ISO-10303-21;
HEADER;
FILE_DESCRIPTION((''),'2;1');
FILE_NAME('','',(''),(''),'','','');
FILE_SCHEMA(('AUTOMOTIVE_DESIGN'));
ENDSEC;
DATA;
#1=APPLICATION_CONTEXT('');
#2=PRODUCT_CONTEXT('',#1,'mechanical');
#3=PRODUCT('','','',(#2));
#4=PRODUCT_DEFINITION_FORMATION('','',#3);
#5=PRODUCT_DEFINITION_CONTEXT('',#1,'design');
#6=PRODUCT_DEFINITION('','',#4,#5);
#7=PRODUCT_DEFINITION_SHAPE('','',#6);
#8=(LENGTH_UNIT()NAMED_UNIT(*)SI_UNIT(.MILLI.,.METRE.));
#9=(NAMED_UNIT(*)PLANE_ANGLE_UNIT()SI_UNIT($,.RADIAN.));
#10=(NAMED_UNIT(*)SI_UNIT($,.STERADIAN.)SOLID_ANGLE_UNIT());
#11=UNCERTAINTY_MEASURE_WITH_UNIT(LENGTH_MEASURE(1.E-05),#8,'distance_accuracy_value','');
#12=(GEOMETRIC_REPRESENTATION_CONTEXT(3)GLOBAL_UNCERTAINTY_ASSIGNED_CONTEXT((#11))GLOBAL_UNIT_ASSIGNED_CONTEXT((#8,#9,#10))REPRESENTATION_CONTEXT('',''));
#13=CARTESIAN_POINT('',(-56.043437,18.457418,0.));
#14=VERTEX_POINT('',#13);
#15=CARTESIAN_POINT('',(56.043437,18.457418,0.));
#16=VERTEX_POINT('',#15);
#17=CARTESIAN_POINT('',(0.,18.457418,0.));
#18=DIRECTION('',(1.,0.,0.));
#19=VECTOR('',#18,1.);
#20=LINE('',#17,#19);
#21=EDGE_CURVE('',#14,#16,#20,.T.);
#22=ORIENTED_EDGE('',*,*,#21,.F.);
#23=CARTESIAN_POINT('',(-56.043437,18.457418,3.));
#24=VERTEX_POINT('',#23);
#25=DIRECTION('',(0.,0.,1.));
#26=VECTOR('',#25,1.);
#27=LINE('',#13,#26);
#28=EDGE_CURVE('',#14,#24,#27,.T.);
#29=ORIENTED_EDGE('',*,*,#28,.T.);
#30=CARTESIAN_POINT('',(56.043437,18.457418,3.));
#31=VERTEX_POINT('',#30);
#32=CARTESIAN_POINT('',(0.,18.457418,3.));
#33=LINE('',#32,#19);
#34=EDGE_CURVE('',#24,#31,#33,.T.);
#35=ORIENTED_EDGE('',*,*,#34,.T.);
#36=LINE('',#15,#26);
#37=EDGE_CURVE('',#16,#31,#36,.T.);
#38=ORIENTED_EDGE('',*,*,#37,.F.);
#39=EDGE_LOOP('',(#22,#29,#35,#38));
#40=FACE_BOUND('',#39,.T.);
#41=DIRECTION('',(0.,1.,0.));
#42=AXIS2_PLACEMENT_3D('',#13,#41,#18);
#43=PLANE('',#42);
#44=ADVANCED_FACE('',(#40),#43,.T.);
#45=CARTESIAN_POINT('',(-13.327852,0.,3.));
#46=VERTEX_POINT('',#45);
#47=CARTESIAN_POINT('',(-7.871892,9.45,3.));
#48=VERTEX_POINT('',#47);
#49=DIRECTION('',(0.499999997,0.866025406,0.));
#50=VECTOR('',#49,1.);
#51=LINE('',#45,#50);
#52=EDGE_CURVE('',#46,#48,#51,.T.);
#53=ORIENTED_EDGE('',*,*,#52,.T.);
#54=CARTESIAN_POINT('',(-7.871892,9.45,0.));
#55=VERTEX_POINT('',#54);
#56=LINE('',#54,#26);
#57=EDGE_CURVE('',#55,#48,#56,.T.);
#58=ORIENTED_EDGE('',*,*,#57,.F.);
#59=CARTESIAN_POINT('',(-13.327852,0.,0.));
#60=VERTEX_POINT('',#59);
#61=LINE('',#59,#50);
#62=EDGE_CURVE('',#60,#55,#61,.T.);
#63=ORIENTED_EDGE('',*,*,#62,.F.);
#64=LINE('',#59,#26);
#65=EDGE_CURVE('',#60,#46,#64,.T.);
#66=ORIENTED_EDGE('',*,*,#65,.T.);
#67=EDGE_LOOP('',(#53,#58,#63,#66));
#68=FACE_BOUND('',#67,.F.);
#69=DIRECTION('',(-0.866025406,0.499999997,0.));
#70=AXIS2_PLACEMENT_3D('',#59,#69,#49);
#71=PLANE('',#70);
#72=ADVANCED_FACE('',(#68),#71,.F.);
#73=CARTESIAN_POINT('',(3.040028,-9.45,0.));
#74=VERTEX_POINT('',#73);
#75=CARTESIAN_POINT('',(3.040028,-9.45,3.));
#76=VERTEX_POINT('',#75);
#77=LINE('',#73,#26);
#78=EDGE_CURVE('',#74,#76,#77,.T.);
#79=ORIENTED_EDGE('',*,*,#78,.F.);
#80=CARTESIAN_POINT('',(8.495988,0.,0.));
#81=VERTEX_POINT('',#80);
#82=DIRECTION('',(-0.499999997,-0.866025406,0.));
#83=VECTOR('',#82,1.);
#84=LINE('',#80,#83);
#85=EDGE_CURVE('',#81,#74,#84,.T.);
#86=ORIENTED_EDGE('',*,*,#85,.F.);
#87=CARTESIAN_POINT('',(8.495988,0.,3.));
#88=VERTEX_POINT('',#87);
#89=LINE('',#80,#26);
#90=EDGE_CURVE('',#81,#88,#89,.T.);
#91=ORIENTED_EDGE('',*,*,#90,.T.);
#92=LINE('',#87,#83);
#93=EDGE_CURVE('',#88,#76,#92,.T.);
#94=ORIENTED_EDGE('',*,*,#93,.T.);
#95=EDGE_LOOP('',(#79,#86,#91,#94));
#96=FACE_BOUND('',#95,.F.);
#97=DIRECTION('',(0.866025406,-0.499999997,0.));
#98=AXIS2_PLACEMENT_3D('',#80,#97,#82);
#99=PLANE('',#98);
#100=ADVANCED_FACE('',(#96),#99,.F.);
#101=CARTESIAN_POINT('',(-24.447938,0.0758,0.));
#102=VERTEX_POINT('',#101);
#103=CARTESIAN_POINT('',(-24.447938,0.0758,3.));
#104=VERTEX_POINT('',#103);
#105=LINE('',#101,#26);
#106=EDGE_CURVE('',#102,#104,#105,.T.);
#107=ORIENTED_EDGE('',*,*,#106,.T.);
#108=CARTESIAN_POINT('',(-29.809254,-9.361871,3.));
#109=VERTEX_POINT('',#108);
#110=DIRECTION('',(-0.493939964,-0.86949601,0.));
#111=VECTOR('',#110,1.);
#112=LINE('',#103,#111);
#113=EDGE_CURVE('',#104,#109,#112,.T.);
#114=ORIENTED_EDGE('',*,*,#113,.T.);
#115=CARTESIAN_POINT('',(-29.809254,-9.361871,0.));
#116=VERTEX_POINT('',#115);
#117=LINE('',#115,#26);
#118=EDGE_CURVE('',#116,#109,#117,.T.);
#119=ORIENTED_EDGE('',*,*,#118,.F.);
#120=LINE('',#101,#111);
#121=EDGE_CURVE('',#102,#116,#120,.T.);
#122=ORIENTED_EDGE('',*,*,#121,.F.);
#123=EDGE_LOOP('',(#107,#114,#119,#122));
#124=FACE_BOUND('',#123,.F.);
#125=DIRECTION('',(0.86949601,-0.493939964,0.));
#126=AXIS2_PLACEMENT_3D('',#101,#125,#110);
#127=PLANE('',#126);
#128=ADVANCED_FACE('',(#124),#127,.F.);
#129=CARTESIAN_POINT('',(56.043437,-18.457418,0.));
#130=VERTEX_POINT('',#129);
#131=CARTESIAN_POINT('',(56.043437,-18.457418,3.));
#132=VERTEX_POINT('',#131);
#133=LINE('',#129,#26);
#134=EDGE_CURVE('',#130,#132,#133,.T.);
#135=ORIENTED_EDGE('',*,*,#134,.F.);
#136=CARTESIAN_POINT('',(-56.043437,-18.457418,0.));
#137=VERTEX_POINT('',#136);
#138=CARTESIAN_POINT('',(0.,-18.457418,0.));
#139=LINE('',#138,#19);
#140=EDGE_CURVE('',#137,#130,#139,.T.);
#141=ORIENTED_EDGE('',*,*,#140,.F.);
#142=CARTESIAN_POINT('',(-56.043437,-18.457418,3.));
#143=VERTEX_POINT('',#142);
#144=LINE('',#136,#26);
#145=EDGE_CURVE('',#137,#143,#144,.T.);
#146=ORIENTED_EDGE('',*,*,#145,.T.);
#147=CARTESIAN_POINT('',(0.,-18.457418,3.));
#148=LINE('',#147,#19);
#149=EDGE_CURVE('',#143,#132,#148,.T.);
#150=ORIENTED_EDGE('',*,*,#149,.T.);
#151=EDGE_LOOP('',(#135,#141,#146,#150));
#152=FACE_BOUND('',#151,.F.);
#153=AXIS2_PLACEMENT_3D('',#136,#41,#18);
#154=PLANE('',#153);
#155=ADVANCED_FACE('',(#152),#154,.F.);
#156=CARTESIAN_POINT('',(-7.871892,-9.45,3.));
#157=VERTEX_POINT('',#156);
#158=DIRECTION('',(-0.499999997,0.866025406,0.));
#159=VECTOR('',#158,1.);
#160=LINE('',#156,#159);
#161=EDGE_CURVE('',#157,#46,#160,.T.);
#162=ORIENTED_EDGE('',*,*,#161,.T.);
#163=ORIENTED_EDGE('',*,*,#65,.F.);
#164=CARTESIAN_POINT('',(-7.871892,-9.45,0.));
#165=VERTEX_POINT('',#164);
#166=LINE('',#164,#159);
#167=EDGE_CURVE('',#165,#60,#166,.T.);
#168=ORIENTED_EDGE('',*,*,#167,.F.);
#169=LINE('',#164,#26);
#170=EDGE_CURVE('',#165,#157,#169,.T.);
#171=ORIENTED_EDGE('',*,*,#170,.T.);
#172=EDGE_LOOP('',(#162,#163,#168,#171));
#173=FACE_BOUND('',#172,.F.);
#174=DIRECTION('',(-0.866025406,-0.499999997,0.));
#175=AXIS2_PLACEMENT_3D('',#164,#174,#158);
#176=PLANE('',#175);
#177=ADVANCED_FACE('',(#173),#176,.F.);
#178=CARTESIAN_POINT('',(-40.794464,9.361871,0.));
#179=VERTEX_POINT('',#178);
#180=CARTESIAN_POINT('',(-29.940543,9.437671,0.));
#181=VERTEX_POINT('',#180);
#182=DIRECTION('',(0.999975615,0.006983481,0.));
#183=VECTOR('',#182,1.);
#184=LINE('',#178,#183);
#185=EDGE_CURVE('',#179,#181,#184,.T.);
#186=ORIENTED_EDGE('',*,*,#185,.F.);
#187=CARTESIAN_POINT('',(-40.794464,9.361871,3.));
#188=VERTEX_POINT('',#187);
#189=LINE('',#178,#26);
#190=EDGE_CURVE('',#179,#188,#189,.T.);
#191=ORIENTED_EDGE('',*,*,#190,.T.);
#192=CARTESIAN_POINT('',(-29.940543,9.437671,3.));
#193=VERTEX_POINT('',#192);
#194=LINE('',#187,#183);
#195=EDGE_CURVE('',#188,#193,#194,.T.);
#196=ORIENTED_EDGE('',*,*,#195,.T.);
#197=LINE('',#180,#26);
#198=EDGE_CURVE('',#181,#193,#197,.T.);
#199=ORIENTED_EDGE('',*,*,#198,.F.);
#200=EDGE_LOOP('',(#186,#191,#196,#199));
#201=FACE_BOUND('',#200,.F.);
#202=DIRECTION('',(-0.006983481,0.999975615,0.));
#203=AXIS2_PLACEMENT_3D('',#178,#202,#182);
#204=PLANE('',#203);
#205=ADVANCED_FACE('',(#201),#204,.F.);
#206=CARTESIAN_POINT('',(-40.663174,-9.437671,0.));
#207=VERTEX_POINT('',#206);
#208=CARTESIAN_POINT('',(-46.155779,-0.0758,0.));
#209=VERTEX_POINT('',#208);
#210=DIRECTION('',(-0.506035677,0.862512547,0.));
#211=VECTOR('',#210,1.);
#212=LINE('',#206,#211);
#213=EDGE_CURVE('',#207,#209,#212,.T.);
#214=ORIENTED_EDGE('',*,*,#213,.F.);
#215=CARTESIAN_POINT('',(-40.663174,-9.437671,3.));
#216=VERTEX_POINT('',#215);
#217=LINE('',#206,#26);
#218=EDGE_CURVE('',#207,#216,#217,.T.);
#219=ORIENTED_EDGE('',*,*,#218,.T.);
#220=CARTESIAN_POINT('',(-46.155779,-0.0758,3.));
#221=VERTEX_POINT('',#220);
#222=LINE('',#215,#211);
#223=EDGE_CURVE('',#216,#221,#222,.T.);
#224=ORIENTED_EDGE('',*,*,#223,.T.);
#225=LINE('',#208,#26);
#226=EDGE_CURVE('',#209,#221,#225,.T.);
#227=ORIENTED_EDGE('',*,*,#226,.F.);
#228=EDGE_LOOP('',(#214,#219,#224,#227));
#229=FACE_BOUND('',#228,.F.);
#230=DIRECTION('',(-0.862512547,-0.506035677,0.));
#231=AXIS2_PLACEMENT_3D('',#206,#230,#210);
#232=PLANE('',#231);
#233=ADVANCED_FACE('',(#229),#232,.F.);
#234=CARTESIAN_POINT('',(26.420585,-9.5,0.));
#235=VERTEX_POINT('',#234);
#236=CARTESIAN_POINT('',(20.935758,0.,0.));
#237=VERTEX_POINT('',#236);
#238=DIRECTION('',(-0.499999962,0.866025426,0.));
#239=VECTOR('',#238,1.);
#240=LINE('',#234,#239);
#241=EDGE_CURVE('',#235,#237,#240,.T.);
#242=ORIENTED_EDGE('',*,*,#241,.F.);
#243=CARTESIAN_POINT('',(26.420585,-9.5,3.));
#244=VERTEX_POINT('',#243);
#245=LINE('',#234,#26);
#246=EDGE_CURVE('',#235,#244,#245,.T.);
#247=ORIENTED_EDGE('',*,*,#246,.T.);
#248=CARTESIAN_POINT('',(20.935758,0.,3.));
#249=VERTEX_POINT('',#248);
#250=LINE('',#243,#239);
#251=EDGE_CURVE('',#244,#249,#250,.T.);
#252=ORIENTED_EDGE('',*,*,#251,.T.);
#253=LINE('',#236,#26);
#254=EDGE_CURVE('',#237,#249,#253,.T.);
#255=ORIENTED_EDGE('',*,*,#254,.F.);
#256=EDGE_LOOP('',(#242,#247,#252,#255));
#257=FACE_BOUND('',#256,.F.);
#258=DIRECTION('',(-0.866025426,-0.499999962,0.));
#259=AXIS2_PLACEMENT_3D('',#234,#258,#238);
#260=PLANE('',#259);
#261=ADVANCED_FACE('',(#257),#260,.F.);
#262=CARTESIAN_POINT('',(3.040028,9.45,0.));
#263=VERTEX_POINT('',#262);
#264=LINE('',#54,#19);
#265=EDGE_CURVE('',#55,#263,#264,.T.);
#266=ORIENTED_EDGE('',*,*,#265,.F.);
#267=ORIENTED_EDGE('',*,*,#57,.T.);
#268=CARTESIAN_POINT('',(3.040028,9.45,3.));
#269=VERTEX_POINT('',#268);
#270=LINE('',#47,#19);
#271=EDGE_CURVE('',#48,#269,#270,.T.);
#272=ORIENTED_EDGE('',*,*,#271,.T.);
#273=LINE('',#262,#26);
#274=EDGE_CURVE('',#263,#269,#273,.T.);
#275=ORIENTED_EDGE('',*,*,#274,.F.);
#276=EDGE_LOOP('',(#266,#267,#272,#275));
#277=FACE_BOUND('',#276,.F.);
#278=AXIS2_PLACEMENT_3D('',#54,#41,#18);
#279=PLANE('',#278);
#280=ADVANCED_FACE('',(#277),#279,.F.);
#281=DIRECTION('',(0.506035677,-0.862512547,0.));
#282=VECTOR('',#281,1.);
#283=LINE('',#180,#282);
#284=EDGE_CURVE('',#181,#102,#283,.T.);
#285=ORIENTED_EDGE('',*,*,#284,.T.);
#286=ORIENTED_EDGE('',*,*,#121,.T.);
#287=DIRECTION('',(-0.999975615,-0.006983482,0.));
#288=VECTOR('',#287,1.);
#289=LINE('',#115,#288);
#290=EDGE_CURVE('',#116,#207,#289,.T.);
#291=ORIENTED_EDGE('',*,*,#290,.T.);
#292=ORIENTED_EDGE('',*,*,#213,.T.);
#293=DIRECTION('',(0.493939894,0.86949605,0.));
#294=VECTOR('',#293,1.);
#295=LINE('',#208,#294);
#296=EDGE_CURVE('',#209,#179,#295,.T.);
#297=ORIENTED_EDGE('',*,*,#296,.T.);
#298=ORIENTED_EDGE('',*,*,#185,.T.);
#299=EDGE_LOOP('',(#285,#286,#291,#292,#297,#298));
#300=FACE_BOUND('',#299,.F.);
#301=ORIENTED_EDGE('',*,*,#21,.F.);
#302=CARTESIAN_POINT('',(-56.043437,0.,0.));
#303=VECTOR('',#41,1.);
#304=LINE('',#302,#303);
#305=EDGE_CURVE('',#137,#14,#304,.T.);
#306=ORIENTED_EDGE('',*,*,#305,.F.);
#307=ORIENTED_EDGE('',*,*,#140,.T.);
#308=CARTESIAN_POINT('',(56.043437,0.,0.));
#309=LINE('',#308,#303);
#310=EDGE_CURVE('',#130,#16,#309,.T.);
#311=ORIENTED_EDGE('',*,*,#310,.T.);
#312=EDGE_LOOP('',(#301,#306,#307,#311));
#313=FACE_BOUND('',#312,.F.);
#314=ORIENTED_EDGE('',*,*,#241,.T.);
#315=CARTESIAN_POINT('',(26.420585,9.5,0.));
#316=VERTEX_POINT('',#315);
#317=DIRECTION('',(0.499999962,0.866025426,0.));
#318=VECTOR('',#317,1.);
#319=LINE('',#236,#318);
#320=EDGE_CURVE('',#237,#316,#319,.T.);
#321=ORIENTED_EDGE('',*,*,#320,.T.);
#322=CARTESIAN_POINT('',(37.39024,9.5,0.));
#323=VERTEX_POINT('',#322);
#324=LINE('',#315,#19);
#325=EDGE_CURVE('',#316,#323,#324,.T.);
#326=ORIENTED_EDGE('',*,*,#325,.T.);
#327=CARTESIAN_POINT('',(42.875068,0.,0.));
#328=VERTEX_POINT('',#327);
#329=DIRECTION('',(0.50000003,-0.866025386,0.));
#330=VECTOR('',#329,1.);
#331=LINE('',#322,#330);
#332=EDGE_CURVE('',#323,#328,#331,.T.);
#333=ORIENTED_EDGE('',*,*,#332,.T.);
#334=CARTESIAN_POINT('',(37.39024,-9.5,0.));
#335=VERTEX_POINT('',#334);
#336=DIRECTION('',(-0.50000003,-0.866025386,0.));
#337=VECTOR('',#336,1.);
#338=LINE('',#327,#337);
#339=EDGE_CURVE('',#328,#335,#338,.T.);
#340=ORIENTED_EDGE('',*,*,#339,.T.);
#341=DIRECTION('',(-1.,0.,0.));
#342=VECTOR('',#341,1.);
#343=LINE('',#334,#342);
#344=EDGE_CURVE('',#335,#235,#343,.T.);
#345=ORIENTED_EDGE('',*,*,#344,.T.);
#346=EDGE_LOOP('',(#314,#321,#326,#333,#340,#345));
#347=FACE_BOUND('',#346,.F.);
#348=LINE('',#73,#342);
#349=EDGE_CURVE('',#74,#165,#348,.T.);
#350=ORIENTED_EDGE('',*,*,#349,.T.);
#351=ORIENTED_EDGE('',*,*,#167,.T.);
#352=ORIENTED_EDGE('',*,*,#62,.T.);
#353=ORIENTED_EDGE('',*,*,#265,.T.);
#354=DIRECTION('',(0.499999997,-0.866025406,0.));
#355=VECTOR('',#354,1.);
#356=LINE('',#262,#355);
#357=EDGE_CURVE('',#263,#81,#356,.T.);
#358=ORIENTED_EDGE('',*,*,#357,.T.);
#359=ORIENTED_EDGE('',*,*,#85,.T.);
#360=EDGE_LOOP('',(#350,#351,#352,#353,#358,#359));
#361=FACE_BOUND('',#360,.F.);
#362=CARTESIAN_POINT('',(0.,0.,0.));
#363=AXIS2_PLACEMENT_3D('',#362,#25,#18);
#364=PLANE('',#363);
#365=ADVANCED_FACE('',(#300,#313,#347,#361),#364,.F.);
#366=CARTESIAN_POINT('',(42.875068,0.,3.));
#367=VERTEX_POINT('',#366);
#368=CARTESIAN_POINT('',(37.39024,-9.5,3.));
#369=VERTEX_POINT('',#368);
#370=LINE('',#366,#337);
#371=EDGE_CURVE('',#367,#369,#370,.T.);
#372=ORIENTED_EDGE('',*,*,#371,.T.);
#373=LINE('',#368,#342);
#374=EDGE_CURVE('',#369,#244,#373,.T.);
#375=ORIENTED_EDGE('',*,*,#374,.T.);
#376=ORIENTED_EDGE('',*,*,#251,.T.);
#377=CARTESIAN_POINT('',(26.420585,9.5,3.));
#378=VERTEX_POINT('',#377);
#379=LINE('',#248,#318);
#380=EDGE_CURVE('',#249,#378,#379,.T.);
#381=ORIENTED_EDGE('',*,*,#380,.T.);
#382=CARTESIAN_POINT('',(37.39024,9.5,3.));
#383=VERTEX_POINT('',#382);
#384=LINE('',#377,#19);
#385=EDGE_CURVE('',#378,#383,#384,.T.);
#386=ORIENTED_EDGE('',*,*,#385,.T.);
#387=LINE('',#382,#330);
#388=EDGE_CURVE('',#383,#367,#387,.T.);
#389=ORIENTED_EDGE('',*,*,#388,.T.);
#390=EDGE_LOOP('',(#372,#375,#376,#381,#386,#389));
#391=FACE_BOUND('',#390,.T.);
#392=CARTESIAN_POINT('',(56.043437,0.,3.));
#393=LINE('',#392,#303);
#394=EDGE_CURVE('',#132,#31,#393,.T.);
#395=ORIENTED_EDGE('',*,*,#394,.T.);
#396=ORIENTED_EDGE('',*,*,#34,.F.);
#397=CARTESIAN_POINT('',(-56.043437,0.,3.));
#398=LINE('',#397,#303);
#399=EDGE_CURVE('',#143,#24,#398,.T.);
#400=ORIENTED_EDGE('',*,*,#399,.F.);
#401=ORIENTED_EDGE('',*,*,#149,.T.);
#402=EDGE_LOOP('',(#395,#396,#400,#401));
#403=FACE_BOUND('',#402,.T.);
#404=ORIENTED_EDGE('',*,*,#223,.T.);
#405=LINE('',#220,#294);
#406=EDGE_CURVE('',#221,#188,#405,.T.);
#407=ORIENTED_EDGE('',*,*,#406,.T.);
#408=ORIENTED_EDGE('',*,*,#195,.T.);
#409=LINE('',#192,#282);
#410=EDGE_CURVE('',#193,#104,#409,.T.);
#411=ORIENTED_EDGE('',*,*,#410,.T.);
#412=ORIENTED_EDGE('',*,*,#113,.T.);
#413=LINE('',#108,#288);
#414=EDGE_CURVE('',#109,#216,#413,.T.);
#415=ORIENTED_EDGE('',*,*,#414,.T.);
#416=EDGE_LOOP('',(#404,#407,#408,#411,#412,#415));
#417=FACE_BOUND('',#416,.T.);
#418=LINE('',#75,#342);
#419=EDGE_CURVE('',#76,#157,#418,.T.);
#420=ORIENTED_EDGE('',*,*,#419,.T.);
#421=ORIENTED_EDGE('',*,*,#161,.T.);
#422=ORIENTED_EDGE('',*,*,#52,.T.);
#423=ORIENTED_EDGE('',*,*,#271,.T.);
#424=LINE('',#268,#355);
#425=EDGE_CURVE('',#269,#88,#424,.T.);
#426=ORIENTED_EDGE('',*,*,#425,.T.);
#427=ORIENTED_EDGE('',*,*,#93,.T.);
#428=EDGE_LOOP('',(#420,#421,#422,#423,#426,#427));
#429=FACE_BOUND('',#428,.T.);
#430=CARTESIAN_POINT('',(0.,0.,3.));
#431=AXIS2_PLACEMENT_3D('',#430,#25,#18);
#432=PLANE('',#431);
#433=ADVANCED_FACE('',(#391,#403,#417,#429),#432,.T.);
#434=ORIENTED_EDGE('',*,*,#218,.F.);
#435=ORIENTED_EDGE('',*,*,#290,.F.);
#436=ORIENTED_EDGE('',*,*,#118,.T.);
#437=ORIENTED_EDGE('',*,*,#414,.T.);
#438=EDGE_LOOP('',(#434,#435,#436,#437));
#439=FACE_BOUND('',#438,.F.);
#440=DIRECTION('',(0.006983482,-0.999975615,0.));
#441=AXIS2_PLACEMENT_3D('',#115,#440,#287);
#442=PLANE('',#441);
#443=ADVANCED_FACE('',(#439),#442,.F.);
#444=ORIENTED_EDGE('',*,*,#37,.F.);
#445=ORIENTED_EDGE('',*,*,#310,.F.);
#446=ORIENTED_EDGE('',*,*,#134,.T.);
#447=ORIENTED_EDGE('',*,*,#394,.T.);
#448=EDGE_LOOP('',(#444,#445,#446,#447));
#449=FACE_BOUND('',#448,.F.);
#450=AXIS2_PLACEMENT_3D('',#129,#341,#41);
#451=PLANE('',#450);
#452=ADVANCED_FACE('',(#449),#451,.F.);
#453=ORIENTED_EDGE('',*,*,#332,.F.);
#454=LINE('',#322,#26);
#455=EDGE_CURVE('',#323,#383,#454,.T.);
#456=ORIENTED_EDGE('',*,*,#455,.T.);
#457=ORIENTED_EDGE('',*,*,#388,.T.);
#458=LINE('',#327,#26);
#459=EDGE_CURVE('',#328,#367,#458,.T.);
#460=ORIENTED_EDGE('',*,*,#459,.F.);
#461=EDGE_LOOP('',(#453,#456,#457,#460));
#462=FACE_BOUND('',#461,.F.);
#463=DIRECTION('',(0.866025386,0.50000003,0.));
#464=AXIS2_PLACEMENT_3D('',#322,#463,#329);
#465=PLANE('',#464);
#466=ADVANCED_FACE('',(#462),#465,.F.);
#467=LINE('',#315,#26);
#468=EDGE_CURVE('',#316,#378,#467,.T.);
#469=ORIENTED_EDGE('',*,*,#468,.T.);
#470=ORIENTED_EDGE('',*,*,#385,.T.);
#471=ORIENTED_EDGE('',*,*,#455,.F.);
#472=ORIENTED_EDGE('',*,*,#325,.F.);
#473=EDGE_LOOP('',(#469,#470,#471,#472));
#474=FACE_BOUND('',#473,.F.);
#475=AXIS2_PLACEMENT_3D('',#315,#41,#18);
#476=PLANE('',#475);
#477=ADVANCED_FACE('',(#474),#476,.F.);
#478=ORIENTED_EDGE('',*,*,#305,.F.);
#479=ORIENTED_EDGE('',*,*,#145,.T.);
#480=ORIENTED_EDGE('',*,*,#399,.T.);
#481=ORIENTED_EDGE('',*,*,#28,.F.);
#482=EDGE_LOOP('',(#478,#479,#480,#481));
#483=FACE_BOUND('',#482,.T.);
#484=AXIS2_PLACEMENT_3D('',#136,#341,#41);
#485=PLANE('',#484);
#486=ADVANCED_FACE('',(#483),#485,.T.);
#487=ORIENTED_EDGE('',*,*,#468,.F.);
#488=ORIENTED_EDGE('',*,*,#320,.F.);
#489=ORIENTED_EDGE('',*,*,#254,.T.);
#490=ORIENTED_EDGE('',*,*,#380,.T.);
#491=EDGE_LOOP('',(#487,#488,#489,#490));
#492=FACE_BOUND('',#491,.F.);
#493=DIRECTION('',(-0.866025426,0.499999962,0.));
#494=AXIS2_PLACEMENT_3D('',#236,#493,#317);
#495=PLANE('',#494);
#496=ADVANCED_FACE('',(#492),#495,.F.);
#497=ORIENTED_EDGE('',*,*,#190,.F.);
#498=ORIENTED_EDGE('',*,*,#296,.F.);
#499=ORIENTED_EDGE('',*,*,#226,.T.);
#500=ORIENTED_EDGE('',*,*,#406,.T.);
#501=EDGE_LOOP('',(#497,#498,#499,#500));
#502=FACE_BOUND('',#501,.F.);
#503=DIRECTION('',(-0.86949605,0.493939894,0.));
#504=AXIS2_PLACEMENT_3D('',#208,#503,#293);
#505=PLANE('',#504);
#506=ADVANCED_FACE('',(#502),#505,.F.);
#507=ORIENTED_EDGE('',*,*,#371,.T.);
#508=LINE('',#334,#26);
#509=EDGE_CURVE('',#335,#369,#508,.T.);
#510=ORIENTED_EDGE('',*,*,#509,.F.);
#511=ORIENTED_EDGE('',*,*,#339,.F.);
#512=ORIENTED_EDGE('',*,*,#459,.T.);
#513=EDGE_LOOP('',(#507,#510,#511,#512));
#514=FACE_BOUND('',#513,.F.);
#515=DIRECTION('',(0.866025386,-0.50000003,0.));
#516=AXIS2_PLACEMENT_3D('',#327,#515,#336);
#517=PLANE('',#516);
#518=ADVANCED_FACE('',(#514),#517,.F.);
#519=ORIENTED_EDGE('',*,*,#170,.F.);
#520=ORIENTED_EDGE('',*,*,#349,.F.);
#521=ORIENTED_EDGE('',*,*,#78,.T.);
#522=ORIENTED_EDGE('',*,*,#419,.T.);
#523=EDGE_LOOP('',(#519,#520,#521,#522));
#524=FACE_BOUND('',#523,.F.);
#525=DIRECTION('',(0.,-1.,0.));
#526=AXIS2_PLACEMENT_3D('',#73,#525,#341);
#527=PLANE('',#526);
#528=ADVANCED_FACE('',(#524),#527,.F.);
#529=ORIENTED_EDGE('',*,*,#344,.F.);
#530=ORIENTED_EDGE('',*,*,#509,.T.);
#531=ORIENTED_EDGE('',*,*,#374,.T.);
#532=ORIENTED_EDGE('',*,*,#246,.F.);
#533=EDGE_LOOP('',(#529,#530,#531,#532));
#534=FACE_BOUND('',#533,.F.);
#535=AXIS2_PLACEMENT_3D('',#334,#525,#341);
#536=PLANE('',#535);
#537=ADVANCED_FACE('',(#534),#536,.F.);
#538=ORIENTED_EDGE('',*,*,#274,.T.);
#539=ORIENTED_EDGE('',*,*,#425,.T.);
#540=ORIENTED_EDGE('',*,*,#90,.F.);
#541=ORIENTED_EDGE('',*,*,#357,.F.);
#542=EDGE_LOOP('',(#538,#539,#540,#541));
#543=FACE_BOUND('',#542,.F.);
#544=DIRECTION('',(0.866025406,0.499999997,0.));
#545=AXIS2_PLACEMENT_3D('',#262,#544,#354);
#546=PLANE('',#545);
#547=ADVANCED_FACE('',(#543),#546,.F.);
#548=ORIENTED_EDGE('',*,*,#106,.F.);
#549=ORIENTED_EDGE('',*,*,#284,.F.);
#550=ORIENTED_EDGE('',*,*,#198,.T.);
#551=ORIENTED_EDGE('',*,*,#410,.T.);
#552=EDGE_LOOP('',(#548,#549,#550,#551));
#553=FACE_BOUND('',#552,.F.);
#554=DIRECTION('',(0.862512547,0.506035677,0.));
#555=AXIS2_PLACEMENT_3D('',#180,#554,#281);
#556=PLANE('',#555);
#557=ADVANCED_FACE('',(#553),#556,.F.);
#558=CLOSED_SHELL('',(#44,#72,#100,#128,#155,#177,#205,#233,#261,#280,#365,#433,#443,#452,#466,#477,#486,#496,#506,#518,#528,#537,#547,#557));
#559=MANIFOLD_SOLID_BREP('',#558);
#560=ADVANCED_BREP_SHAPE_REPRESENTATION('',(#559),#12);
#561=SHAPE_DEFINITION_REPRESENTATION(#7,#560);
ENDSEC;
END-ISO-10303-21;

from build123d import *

# Parameters (mm, degrees)
F0_W     = 112.086874
F0_H     = 36.914836
F1_DEPTH = 3


with BuildPart() as f1:
    # F0 (on Top) → F1 (new body)
    with BuildSketch(Plane.XY):
        Rectangle(F0_W, F0_H)
        Polygon((-40.794464, 9.361871), (-29.940543, 9.437671), (-24.447938, 0.0758), (-29.809254, -9.361871), (-40.663174, -9.437671), (-46.155779, -0.0758), align=None, mode=Mode.SUBTRACT)
        Polygon((8.495988, 0), (3.040028, -9.45), (-7.871892, -9.45), (-13.327852, 0), (-7.871892, 9.45), (3.040028, 9.45), align=None, mode=Mode.SUBTRACT)
        Polygon((42.875068, 0), (37.39024, -9.5), (26.420585, -9.5), (20.935758, 0), (26.420585, 9.5), (37.39024, 9.5), align=None, mode=Mode.SUBTRACT)
    extrude(amount=F1_DEPTH)


solid = f1.part
